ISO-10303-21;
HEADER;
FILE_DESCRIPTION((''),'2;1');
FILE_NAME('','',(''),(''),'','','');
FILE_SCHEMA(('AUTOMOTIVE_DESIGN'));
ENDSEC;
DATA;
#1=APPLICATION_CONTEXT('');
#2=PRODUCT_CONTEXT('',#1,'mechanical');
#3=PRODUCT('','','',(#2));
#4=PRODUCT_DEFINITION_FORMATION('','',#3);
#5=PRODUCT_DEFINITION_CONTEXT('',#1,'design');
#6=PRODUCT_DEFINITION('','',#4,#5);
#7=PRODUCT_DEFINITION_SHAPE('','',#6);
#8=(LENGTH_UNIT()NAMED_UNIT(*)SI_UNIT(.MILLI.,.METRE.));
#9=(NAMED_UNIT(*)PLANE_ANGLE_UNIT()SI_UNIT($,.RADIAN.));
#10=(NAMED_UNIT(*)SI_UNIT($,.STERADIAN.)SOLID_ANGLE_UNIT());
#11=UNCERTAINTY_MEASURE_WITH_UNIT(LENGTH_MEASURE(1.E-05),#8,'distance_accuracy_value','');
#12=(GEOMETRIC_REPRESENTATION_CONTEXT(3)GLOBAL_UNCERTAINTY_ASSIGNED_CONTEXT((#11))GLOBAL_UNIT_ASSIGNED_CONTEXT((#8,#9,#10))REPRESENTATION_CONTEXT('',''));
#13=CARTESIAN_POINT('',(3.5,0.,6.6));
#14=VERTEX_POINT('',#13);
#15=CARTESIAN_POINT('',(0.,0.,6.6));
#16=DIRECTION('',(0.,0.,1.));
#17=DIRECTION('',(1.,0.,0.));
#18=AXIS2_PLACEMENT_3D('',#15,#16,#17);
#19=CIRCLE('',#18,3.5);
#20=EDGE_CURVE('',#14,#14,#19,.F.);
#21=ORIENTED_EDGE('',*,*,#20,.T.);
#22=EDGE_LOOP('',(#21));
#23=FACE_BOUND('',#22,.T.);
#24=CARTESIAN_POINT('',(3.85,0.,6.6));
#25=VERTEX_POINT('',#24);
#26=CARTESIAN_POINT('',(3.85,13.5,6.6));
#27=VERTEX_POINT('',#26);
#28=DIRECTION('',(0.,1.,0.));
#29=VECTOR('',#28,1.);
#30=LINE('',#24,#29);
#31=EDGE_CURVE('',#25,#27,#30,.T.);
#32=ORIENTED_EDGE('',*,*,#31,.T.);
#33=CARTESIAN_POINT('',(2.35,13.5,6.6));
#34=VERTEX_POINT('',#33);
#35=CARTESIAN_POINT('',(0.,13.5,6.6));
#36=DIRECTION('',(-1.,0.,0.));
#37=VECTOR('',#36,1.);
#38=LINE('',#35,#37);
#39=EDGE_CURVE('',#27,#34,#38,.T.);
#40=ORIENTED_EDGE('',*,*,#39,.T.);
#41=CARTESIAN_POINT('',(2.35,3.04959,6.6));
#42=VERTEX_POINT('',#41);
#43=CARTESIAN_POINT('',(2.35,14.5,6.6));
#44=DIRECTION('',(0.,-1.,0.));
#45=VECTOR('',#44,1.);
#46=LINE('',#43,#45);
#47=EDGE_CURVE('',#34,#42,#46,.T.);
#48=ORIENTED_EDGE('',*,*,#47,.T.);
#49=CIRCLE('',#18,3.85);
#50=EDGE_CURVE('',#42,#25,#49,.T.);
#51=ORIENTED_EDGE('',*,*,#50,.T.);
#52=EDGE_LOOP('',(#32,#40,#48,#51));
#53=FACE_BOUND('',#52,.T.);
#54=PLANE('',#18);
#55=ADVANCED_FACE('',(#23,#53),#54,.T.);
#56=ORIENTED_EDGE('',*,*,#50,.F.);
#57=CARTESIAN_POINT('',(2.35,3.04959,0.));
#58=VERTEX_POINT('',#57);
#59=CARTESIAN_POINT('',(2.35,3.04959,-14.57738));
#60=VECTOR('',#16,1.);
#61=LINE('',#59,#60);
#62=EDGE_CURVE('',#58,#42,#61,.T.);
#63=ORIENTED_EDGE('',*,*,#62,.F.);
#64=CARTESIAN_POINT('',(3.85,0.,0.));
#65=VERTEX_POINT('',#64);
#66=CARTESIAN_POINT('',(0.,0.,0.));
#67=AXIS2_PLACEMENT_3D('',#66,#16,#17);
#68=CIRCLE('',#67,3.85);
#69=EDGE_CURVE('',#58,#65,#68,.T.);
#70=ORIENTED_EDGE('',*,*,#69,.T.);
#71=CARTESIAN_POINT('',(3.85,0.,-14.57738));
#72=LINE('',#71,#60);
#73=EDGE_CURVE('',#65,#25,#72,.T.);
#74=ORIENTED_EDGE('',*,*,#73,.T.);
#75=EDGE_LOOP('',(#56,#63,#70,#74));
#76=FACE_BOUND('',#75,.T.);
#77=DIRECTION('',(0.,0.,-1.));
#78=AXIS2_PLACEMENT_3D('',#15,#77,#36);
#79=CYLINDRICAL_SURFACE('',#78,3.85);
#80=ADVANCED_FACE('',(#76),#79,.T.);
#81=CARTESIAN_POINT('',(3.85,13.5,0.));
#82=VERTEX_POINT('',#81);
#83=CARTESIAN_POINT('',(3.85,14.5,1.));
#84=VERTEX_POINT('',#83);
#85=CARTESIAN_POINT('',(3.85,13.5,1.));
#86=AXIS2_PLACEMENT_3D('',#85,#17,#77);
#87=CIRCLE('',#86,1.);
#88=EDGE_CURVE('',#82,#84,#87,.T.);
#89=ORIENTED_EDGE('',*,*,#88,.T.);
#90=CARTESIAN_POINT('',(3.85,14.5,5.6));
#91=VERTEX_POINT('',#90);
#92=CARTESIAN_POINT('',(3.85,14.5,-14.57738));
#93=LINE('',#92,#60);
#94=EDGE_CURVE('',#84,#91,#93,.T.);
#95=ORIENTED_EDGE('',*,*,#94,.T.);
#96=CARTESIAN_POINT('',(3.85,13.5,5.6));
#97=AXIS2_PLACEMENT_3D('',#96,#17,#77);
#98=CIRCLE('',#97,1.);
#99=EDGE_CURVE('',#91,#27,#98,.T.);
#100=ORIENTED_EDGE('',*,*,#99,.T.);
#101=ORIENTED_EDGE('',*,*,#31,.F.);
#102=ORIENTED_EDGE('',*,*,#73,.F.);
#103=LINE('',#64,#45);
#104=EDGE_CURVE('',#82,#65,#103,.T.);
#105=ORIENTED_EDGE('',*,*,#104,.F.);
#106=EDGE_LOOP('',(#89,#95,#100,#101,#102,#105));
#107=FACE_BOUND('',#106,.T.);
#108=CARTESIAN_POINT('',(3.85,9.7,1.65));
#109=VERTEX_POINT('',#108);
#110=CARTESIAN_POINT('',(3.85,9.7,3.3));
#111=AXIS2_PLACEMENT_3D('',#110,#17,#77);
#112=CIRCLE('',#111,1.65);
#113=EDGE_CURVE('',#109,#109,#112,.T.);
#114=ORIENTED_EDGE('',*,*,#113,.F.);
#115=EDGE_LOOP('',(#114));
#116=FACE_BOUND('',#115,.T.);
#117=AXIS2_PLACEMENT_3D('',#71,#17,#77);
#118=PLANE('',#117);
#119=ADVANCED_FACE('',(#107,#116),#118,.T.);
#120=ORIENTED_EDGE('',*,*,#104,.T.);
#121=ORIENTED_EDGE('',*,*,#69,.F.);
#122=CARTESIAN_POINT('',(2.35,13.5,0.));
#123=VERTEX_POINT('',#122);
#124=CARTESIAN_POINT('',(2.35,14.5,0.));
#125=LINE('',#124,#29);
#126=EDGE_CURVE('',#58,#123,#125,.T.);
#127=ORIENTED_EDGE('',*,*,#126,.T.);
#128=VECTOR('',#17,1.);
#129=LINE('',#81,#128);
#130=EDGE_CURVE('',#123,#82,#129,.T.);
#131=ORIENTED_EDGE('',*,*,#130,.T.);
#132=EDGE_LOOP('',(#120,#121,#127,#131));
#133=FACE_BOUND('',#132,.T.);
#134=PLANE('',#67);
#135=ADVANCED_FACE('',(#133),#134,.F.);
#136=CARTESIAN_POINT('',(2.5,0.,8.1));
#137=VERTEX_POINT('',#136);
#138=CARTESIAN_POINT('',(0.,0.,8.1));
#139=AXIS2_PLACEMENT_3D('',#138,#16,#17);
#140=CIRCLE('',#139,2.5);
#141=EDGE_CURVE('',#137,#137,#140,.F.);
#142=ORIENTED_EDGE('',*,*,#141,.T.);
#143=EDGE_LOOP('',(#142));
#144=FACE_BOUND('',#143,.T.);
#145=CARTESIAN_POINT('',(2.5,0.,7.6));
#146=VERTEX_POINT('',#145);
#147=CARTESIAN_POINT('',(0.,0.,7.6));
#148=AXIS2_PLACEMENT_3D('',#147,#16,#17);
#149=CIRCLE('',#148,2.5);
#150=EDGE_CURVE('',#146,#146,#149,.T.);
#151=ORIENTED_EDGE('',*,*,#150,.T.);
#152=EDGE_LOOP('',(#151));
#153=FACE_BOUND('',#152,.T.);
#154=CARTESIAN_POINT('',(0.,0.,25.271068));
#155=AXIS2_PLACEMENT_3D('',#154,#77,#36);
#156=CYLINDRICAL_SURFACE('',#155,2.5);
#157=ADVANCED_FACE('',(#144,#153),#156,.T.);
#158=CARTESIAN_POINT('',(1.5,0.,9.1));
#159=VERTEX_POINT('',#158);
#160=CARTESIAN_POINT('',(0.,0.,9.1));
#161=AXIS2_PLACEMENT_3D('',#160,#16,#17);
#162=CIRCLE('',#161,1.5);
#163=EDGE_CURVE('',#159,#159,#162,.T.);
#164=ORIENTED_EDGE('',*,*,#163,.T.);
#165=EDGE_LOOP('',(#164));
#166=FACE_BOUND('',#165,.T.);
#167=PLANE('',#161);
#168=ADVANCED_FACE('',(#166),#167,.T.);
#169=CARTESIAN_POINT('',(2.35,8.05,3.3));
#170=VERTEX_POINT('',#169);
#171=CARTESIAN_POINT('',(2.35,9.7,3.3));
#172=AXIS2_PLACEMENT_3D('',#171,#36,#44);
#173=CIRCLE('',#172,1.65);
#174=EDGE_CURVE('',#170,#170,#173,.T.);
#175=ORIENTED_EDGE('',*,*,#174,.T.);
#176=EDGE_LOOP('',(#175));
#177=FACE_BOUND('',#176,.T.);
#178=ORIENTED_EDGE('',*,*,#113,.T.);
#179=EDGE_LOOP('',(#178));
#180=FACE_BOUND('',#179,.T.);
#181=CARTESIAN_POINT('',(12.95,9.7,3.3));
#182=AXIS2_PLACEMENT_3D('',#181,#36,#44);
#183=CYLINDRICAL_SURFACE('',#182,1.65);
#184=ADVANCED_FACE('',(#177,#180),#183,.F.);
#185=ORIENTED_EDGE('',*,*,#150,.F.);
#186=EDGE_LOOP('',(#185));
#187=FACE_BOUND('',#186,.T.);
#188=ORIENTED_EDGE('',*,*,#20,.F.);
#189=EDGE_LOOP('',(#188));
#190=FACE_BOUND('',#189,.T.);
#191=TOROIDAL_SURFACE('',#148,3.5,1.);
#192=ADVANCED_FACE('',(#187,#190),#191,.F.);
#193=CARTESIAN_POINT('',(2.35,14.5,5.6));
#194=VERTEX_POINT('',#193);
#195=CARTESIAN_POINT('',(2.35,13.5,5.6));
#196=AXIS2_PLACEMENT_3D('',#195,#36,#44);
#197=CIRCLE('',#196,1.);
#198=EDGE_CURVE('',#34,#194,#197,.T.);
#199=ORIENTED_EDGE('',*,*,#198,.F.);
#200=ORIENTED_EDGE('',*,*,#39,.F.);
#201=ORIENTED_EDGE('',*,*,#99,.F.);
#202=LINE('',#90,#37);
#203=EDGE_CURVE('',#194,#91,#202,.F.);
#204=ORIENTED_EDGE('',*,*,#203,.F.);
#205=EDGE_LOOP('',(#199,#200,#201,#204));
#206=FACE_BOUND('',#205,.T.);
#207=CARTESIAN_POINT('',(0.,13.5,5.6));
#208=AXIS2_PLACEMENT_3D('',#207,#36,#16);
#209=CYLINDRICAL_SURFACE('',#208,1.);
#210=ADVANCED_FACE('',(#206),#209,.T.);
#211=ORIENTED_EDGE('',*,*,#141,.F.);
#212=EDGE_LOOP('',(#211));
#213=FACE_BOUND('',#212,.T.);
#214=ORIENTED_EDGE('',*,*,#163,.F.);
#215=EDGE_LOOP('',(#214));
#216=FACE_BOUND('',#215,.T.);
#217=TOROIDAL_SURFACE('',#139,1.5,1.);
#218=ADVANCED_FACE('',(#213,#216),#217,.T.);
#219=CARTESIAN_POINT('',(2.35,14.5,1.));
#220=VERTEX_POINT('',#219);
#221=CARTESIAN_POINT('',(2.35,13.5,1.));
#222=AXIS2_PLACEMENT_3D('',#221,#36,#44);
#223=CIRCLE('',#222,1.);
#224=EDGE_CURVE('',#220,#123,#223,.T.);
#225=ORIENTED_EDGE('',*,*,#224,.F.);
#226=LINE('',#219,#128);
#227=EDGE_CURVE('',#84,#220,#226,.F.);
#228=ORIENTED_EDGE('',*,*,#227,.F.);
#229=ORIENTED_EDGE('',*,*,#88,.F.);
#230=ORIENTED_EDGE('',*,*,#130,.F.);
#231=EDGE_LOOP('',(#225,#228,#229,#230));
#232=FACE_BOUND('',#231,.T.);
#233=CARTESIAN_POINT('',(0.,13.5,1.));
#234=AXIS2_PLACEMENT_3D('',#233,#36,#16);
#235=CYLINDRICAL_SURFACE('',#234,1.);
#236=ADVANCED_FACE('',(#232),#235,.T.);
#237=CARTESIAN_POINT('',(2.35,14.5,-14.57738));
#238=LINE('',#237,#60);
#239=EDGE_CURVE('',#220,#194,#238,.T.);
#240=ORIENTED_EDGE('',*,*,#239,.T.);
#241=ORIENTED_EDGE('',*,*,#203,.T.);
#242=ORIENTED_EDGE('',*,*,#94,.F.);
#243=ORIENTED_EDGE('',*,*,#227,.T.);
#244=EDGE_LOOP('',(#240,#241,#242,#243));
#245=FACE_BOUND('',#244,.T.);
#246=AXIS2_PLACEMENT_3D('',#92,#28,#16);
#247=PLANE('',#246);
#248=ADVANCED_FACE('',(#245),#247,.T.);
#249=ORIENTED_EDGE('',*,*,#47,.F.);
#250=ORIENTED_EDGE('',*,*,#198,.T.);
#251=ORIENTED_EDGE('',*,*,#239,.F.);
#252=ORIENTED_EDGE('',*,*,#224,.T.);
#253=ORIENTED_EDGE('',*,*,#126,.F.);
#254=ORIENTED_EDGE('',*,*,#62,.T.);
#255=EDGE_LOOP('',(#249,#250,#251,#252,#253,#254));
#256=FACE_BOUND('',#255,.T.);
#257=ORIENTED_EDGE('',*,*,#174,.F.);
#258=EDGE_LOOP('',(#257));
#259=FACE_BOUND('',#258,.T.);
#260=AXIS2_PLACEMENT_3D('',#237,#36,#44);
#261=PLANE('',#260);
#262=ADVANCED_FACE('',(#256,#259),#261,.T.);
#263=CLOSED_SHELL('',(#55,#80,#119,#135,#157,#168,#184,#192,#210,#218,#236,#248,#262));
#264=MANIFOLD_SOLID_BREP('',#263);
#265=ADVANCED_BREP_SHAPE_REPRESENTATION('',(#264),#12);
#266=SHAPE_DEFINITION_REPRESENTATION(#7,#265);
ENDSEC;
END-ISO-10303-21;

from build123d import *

# Parameters (mm, degrees)
SKETCH_1_R          = 3.85
EXTRUDE_1_DEPTH     = 6.6
EXTRUDE_START       = -6.6
EXTRUDE_2_DEPTH     = 6.6
SKETCH_3_R          = 2.5
EXTRUDE_3_DEPTH     = 2.5
FILLET_1_R          = 1
SKETCH_4_R          = 1.65
CUT_EXTRUDE_1_DEPTH = 10.6
FILLET_2_R          = 1


with BuildPart() as part:
    # 草图1 → 凸台-拉伸1 (new body)
    with BuildSketch(Plane.XY):
        Circle(SKETCH_1_R)
    extrude(amount=EXTRUDE_1_DEPTH)

    # 草图2 → 凸台-拉伸2 (add)
    with BuildSketch(Plane.XY.offset(6.6).offset(EXTRUDE_START)):
        with BuildLine():
            Line((3.85, 0), (3.85, 14.5))
            Line((3.85, 14.5), (2.35, 14.5))
            Line((2.35, 14.5), (2.35, 3.049590136))
            ThreePointArc((2.35, 3.049590136), (3.454706934, 1.699264547), (3.85, 0))
        make_face()
    extrude(amount=EXTRUDE_2_DEPTH)

    # 草图3 → 凸台-拉伸3 (add)
    with BuildSketch(Plane.XY.offset(6.6)):
        Circle(SKETCH_3_R)
    extrude(amount=EXTRUDE_3_DEPTH)

    # 圆角1
    fillet_1_edges = [part.edges().sort_by_distance(p)[0] for p in [
        (-2.5, 0, 6.6),
        (-2.5, 0, 9.1),
    ]]
    fillet(fillet_1_edges, radius=FILLET_1_R)

    # 草图4 → 切除-拉伸1 (cut)
    with BuildSketch(Plane.ZY.offset(-2.35)):
        with Locations(Location((3.3, 9.7, 0), (0, 0, 270))):
            Circle(SKETCH_4_R)
    extrude(amount=-CUT_EXTRUDE_1_DEPTH, mode=Mode.SUBTRACT)

    # 圆角2
    fillet_2_edges = [part.edges().sort_by_distance(p)[0] for p in [
        (3.1, 14.5, 6.6),
        (3.1, 14.5, 0),
    ]]
    fillet(fillet_2_edges, radius=FILLET_2_R)


solid = part.part
